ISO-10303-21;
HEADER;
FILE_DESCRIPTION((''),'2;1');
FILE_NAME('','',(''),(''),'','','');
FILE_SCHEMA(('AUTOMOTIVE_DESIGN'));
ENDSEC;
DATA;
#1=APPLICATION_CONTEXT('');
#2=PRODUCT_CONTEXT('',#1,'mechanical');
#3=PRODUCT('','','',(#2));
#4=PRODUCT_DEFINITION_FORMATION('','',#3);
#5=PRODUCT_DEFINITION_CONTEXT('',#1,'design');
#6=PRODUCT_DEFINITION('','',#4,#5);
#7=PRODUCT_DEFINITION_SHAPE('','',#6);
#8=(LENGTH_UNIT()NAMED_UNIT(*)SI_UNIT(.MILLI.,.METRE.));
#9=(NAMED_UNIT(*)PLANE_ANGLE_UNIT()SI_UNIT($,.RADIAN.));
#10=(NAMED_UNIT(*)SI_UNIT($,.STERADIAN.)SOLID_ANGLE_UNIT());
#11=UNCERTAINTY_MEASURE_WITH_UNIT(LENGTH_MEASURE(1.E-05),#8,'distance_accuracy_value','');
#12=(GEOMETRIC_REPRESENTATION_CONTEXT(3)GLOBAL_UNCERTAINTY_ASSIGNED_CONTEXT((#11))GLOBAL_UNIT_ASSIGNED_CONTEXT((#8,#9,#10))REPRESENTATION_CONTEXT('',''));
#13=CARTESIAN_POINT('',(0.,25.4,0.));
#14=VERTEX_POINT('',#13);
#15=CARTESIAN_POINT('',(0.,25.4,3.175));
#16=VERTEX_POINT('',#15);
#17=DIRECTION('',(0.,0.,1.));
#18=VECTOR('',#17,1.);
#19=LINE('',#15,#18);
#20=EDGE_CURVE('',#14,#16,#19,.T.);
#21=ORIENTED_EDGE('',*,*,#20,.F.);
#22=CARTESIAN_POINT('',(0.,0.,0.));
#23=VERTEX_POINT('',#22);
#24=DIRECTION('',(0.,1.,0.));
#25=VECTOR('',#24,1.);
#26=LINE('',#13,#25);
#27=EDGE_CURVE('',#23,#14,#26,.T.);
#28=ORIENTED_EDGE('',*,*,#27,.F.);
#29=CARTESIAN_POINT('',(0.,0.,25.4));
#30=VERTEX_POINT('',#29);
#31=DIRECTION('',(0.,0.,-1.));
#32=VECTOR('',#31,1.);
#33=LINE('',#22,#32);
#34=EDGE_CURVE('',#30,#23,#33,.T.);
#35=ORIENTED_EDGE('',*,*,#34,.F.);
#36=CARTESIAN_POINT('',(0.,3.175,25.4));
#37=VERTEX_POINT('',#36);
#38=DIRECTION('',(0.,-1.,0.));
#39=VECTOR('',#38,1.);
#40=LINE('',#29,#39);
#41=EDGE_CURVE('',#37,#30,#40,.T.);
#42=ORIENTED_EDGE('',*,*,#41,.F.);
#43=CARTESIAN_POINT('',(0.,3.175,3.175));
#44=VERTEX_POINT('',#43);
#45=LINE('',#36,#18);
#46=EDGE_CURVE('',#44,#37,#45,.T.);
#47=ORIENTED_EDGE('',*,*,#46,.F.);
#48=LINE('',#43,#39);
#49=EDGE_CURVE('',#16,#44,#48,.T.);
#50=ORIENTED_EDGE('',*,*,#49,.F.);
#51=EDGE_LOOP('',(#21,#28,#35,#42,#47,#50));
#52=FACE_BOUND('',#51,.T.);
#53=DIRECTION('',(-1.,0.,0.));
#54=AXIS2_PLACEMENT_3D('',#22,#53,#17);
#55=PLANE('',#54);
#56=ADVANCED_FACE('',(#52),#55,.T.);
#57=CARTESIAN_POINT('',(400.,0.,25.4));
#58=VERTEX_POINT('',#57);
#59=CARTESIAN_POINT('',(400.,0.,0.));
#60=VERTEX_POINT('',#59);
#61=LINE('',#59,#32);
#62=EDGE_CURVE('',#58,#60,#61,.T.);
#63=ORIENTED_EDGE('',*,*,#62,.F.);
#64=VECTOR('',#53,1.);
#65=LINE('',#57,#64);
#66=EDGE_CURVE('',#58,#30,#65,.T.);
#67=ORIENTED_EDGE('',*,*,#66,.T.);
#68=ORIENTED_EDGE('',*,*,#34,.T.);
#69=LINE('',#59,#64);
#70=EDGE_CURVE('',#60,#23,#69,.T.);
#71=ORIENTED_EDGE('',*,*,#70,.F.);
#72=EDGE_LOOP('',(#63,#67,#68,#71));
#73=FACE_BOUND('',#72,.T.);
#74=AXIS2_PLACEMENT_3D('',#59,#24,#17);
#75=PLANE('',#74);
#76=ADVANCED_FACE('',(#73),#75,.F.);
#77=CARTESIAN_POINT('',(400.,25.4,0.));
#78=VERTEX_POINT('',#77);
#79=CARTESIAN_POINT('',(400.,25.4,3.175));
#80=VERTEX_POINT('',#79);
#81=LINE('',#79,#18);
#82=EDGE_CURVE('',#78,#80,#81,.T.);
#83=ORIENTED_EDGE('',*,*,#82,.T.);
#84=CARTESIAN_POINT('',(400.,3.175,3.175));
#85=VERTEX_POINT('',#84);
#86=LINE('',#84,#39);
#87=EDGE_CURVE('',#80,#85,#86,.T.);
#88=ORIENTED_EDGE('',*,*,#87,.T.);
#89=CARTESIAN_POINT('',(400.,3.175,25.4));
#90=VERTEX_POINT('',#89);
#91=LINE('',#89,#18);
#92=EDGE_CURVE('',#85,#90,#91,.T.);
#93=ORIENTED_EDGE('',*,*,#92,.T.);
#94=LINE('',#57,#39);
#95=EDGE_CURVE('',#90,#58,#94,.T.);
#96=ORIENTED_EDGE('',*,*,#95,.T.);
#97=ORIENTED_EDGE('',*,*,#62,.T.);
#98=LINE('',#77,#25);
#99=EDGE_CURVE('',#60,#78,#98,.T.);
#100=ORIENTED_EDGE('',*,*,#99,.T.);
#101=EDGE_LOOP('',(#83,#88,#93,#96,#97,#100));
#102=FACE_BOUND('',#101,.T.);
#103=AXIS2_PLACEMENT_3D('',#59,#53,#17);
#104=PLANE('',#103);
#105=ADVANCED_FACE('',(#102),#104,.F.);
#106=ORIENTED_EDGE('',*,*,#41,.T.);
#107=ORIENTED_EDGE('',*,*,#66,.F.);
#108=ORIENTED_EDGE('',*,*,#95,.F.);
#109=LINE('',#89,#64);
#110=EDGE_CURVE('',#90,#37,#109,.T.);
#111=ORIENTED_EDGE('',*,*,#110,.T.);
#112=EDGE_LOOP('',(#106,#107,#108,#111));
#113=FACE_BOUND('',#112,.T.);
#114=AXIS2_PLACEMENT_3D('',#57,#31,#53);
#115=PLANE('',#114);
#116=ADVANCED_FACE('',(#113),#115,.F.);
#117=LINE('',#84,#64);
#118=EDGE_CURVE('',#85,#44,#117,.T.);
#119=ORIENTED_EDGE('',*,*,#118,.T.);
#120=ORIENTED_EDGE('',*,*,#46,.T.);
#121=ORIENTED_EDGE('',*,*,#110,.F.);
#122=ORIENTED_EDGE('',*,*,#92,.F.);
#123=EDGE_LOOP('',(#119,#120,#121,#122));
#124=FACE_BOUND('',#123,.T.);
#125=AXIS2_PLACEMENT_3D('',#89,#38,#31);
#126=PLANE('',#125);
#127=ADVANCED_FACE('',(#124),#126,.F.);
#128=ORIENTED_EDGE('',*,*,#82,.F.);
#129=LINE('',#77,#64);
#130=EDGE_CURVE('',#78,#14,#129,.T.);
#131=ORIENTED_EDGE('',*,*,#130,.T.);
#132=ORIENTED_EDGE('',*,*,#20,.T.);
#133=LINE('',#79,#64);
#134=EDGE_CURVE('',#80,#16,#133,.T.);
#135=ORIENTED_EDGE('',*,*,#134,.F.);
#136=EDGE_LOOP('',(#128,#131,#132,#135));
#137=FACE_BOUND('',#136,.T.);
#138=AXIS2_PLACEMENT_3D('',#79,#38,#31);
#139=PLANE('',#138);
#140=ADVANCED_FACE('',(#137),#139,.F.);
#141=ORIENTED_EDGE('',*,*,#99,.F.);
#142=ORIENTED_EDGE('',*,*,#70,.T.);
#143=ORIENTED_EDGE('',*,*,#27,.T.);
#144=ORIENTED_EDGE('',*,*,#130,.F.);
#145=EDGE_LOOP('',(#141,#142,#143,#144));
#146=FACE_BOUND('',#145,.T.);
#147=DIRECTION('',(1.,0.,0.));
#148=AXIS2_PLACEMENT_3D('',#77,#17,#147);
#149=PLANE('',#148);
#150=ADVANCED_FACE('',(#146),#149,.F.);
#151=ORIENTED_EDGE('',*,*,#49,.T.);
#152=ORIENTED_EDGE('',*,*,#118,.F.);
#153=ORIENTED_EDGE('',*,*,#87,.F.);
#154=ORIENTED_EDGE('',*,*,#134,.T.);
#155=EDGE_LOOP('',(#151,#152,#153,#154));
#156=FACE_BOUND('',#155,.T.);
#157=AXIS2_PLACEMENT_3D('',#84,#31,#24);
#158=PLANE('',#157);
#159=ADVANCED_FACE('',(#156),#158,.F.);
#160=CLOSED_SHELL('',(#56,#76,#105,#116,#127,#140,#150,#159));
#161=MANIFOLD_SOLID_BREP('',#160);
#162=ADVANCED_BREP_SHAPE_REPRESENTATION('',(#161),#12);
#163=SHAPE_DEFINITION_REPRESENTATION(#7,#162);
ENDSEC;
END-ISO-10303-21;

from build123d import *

# Parameters (mm, degrees)
SALIENTE_EXTRUIR1_DEPTH = 400


with BuildPart() as part:
    # Croquis1 → Saliente-Extruir1 (new body)
    with BuildSketch(Plane(origin=(0, 0, 0), x_dir=(0, 0, -1), z_dir=(1, 0, 0))):
        Polygon((0, 25.4), (0, 0), (-25.4, 0), (-25.4, 3.175), (-3.175, 3.175), (-3.175, 25.4), align=None)
    extrude(amount=SALIENTE_EXTRUIR1_DEPTH)


solid = part.part
